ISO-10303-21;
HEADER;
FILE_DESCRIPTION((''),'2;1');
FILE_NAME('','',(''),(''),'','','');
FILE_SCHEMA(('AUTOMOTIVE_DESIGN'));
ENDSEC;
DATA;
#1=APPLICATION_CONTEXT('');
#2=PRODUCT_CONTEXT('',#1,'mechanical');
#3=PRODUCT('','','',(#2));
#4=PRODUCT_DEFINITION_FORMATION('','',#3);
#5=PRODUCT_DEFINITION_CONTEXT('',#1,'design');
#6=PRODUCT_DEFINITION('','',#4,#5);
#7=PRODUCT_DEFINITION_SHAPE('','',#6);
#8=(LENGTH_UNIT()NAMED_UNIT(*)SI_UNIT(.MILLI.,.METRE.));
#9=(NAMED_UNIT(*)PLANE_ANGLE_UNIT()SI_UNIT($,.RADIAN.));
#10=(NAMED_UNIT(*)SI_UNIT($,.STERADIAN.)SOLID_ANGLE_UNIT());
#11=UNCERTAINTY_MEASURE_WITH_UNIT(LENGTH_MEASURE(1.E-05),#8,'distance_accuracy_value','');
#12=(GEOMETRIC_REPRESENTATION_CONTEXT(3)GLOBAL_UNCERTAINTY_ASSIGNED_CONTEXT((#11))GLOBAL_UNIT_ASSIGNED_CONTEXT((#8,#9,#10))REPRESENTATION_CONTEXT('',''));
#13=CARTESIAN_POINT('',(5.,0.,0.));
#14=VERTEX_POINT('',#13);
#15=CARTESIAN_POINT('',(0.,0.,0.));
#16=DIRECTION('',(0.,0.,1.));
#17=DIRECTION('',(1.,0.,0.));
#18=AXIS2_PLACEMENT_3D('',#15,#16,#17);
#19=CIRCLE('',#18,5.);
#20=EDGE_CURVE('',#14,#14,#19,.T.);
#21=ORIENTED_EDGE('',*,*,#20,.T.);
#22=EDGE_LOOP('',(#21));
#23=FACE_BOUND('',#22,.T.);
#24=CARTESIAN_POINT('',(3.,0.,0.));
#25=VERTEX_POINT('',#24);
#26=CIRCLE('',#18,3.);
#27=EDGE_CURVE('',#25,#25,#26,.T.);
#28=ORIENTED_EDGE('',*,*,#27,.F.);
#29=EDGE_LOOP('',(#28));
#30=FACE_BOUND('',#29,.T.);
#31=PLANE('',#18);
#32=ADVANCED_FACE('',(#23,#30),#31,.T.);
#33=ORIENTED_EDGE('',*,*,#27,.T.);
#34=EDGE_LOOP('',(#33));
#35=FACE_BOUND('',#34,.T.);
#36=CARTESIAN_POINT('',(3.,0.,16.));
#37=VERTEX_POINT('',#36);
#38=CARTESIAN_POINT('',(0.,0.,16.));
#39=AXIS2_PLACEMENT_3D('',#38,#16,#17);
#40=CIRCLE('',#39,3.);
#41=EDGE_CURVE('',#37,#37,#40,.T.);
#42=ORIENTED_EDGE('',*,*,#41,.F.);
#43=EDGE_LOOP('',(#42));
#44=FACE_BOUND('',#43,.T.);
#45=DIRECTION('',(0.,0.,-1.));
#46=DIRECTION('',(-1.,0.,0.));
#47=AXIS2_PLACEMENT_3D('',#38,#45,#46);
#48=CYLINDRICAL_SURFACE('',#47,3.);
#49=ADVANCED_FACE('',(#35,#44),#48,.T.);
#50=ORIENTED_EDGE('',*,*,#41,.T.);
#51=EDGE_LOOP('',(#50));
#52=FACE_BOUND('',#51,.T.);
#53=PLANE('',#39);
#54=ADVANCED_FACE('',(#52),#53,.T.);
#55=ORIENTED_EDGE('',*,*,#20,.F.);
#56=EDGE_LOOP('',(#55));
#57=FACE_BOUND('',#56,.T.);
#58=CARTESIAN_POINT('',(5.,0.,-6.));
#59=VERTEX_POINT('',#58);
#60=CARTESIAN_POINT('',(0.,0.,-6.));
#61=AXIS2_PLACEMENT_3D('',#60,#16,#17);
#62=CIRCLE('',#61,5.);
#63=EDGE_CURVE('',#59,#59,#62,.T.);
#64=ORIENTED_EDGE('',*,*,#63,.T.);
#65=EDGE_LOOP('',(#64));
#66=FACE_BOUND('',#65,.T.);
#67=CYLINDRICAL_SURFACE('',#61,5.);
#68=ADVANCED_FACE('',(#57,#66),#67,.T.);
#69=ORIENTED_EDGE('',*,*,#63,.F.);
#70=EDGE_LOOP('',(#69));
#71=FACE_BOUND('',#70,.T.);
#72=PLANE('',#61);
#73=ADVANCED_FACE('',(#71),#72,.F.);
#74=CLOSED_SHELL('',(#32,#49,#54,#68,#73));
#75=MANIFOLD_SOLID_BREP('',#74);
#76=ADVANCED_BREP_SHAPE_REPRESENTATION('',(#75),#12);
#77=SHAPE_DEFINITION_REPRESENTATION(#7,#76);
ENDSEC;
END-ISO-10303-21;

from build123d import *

# Parameters (mm, degrees)
SKETCH1_R           = 3
BOSS_EXTRUDE1_DEPTH = 16
SKETCH2_R           = 5
BOSS_EXTRUDE2_DEPTH = 6


with BuildPart() as part:
    # Sketch1 → Boss-Extrude1 (new body)
    with BuildSketch(Plane.XY):
        Circle(SKETCH1_R)
    extrude(amount=BOSS_EXTRUDE1_DEPTH)

    # Sketch2 → Boss-Extrude2 (add)
    with BuildSketch(Plane.XY):
        Circle(SKETCH2_R)
    extrude(amount=-BOSS_EXTRUDE2_DEPTH)


solid = part.part
